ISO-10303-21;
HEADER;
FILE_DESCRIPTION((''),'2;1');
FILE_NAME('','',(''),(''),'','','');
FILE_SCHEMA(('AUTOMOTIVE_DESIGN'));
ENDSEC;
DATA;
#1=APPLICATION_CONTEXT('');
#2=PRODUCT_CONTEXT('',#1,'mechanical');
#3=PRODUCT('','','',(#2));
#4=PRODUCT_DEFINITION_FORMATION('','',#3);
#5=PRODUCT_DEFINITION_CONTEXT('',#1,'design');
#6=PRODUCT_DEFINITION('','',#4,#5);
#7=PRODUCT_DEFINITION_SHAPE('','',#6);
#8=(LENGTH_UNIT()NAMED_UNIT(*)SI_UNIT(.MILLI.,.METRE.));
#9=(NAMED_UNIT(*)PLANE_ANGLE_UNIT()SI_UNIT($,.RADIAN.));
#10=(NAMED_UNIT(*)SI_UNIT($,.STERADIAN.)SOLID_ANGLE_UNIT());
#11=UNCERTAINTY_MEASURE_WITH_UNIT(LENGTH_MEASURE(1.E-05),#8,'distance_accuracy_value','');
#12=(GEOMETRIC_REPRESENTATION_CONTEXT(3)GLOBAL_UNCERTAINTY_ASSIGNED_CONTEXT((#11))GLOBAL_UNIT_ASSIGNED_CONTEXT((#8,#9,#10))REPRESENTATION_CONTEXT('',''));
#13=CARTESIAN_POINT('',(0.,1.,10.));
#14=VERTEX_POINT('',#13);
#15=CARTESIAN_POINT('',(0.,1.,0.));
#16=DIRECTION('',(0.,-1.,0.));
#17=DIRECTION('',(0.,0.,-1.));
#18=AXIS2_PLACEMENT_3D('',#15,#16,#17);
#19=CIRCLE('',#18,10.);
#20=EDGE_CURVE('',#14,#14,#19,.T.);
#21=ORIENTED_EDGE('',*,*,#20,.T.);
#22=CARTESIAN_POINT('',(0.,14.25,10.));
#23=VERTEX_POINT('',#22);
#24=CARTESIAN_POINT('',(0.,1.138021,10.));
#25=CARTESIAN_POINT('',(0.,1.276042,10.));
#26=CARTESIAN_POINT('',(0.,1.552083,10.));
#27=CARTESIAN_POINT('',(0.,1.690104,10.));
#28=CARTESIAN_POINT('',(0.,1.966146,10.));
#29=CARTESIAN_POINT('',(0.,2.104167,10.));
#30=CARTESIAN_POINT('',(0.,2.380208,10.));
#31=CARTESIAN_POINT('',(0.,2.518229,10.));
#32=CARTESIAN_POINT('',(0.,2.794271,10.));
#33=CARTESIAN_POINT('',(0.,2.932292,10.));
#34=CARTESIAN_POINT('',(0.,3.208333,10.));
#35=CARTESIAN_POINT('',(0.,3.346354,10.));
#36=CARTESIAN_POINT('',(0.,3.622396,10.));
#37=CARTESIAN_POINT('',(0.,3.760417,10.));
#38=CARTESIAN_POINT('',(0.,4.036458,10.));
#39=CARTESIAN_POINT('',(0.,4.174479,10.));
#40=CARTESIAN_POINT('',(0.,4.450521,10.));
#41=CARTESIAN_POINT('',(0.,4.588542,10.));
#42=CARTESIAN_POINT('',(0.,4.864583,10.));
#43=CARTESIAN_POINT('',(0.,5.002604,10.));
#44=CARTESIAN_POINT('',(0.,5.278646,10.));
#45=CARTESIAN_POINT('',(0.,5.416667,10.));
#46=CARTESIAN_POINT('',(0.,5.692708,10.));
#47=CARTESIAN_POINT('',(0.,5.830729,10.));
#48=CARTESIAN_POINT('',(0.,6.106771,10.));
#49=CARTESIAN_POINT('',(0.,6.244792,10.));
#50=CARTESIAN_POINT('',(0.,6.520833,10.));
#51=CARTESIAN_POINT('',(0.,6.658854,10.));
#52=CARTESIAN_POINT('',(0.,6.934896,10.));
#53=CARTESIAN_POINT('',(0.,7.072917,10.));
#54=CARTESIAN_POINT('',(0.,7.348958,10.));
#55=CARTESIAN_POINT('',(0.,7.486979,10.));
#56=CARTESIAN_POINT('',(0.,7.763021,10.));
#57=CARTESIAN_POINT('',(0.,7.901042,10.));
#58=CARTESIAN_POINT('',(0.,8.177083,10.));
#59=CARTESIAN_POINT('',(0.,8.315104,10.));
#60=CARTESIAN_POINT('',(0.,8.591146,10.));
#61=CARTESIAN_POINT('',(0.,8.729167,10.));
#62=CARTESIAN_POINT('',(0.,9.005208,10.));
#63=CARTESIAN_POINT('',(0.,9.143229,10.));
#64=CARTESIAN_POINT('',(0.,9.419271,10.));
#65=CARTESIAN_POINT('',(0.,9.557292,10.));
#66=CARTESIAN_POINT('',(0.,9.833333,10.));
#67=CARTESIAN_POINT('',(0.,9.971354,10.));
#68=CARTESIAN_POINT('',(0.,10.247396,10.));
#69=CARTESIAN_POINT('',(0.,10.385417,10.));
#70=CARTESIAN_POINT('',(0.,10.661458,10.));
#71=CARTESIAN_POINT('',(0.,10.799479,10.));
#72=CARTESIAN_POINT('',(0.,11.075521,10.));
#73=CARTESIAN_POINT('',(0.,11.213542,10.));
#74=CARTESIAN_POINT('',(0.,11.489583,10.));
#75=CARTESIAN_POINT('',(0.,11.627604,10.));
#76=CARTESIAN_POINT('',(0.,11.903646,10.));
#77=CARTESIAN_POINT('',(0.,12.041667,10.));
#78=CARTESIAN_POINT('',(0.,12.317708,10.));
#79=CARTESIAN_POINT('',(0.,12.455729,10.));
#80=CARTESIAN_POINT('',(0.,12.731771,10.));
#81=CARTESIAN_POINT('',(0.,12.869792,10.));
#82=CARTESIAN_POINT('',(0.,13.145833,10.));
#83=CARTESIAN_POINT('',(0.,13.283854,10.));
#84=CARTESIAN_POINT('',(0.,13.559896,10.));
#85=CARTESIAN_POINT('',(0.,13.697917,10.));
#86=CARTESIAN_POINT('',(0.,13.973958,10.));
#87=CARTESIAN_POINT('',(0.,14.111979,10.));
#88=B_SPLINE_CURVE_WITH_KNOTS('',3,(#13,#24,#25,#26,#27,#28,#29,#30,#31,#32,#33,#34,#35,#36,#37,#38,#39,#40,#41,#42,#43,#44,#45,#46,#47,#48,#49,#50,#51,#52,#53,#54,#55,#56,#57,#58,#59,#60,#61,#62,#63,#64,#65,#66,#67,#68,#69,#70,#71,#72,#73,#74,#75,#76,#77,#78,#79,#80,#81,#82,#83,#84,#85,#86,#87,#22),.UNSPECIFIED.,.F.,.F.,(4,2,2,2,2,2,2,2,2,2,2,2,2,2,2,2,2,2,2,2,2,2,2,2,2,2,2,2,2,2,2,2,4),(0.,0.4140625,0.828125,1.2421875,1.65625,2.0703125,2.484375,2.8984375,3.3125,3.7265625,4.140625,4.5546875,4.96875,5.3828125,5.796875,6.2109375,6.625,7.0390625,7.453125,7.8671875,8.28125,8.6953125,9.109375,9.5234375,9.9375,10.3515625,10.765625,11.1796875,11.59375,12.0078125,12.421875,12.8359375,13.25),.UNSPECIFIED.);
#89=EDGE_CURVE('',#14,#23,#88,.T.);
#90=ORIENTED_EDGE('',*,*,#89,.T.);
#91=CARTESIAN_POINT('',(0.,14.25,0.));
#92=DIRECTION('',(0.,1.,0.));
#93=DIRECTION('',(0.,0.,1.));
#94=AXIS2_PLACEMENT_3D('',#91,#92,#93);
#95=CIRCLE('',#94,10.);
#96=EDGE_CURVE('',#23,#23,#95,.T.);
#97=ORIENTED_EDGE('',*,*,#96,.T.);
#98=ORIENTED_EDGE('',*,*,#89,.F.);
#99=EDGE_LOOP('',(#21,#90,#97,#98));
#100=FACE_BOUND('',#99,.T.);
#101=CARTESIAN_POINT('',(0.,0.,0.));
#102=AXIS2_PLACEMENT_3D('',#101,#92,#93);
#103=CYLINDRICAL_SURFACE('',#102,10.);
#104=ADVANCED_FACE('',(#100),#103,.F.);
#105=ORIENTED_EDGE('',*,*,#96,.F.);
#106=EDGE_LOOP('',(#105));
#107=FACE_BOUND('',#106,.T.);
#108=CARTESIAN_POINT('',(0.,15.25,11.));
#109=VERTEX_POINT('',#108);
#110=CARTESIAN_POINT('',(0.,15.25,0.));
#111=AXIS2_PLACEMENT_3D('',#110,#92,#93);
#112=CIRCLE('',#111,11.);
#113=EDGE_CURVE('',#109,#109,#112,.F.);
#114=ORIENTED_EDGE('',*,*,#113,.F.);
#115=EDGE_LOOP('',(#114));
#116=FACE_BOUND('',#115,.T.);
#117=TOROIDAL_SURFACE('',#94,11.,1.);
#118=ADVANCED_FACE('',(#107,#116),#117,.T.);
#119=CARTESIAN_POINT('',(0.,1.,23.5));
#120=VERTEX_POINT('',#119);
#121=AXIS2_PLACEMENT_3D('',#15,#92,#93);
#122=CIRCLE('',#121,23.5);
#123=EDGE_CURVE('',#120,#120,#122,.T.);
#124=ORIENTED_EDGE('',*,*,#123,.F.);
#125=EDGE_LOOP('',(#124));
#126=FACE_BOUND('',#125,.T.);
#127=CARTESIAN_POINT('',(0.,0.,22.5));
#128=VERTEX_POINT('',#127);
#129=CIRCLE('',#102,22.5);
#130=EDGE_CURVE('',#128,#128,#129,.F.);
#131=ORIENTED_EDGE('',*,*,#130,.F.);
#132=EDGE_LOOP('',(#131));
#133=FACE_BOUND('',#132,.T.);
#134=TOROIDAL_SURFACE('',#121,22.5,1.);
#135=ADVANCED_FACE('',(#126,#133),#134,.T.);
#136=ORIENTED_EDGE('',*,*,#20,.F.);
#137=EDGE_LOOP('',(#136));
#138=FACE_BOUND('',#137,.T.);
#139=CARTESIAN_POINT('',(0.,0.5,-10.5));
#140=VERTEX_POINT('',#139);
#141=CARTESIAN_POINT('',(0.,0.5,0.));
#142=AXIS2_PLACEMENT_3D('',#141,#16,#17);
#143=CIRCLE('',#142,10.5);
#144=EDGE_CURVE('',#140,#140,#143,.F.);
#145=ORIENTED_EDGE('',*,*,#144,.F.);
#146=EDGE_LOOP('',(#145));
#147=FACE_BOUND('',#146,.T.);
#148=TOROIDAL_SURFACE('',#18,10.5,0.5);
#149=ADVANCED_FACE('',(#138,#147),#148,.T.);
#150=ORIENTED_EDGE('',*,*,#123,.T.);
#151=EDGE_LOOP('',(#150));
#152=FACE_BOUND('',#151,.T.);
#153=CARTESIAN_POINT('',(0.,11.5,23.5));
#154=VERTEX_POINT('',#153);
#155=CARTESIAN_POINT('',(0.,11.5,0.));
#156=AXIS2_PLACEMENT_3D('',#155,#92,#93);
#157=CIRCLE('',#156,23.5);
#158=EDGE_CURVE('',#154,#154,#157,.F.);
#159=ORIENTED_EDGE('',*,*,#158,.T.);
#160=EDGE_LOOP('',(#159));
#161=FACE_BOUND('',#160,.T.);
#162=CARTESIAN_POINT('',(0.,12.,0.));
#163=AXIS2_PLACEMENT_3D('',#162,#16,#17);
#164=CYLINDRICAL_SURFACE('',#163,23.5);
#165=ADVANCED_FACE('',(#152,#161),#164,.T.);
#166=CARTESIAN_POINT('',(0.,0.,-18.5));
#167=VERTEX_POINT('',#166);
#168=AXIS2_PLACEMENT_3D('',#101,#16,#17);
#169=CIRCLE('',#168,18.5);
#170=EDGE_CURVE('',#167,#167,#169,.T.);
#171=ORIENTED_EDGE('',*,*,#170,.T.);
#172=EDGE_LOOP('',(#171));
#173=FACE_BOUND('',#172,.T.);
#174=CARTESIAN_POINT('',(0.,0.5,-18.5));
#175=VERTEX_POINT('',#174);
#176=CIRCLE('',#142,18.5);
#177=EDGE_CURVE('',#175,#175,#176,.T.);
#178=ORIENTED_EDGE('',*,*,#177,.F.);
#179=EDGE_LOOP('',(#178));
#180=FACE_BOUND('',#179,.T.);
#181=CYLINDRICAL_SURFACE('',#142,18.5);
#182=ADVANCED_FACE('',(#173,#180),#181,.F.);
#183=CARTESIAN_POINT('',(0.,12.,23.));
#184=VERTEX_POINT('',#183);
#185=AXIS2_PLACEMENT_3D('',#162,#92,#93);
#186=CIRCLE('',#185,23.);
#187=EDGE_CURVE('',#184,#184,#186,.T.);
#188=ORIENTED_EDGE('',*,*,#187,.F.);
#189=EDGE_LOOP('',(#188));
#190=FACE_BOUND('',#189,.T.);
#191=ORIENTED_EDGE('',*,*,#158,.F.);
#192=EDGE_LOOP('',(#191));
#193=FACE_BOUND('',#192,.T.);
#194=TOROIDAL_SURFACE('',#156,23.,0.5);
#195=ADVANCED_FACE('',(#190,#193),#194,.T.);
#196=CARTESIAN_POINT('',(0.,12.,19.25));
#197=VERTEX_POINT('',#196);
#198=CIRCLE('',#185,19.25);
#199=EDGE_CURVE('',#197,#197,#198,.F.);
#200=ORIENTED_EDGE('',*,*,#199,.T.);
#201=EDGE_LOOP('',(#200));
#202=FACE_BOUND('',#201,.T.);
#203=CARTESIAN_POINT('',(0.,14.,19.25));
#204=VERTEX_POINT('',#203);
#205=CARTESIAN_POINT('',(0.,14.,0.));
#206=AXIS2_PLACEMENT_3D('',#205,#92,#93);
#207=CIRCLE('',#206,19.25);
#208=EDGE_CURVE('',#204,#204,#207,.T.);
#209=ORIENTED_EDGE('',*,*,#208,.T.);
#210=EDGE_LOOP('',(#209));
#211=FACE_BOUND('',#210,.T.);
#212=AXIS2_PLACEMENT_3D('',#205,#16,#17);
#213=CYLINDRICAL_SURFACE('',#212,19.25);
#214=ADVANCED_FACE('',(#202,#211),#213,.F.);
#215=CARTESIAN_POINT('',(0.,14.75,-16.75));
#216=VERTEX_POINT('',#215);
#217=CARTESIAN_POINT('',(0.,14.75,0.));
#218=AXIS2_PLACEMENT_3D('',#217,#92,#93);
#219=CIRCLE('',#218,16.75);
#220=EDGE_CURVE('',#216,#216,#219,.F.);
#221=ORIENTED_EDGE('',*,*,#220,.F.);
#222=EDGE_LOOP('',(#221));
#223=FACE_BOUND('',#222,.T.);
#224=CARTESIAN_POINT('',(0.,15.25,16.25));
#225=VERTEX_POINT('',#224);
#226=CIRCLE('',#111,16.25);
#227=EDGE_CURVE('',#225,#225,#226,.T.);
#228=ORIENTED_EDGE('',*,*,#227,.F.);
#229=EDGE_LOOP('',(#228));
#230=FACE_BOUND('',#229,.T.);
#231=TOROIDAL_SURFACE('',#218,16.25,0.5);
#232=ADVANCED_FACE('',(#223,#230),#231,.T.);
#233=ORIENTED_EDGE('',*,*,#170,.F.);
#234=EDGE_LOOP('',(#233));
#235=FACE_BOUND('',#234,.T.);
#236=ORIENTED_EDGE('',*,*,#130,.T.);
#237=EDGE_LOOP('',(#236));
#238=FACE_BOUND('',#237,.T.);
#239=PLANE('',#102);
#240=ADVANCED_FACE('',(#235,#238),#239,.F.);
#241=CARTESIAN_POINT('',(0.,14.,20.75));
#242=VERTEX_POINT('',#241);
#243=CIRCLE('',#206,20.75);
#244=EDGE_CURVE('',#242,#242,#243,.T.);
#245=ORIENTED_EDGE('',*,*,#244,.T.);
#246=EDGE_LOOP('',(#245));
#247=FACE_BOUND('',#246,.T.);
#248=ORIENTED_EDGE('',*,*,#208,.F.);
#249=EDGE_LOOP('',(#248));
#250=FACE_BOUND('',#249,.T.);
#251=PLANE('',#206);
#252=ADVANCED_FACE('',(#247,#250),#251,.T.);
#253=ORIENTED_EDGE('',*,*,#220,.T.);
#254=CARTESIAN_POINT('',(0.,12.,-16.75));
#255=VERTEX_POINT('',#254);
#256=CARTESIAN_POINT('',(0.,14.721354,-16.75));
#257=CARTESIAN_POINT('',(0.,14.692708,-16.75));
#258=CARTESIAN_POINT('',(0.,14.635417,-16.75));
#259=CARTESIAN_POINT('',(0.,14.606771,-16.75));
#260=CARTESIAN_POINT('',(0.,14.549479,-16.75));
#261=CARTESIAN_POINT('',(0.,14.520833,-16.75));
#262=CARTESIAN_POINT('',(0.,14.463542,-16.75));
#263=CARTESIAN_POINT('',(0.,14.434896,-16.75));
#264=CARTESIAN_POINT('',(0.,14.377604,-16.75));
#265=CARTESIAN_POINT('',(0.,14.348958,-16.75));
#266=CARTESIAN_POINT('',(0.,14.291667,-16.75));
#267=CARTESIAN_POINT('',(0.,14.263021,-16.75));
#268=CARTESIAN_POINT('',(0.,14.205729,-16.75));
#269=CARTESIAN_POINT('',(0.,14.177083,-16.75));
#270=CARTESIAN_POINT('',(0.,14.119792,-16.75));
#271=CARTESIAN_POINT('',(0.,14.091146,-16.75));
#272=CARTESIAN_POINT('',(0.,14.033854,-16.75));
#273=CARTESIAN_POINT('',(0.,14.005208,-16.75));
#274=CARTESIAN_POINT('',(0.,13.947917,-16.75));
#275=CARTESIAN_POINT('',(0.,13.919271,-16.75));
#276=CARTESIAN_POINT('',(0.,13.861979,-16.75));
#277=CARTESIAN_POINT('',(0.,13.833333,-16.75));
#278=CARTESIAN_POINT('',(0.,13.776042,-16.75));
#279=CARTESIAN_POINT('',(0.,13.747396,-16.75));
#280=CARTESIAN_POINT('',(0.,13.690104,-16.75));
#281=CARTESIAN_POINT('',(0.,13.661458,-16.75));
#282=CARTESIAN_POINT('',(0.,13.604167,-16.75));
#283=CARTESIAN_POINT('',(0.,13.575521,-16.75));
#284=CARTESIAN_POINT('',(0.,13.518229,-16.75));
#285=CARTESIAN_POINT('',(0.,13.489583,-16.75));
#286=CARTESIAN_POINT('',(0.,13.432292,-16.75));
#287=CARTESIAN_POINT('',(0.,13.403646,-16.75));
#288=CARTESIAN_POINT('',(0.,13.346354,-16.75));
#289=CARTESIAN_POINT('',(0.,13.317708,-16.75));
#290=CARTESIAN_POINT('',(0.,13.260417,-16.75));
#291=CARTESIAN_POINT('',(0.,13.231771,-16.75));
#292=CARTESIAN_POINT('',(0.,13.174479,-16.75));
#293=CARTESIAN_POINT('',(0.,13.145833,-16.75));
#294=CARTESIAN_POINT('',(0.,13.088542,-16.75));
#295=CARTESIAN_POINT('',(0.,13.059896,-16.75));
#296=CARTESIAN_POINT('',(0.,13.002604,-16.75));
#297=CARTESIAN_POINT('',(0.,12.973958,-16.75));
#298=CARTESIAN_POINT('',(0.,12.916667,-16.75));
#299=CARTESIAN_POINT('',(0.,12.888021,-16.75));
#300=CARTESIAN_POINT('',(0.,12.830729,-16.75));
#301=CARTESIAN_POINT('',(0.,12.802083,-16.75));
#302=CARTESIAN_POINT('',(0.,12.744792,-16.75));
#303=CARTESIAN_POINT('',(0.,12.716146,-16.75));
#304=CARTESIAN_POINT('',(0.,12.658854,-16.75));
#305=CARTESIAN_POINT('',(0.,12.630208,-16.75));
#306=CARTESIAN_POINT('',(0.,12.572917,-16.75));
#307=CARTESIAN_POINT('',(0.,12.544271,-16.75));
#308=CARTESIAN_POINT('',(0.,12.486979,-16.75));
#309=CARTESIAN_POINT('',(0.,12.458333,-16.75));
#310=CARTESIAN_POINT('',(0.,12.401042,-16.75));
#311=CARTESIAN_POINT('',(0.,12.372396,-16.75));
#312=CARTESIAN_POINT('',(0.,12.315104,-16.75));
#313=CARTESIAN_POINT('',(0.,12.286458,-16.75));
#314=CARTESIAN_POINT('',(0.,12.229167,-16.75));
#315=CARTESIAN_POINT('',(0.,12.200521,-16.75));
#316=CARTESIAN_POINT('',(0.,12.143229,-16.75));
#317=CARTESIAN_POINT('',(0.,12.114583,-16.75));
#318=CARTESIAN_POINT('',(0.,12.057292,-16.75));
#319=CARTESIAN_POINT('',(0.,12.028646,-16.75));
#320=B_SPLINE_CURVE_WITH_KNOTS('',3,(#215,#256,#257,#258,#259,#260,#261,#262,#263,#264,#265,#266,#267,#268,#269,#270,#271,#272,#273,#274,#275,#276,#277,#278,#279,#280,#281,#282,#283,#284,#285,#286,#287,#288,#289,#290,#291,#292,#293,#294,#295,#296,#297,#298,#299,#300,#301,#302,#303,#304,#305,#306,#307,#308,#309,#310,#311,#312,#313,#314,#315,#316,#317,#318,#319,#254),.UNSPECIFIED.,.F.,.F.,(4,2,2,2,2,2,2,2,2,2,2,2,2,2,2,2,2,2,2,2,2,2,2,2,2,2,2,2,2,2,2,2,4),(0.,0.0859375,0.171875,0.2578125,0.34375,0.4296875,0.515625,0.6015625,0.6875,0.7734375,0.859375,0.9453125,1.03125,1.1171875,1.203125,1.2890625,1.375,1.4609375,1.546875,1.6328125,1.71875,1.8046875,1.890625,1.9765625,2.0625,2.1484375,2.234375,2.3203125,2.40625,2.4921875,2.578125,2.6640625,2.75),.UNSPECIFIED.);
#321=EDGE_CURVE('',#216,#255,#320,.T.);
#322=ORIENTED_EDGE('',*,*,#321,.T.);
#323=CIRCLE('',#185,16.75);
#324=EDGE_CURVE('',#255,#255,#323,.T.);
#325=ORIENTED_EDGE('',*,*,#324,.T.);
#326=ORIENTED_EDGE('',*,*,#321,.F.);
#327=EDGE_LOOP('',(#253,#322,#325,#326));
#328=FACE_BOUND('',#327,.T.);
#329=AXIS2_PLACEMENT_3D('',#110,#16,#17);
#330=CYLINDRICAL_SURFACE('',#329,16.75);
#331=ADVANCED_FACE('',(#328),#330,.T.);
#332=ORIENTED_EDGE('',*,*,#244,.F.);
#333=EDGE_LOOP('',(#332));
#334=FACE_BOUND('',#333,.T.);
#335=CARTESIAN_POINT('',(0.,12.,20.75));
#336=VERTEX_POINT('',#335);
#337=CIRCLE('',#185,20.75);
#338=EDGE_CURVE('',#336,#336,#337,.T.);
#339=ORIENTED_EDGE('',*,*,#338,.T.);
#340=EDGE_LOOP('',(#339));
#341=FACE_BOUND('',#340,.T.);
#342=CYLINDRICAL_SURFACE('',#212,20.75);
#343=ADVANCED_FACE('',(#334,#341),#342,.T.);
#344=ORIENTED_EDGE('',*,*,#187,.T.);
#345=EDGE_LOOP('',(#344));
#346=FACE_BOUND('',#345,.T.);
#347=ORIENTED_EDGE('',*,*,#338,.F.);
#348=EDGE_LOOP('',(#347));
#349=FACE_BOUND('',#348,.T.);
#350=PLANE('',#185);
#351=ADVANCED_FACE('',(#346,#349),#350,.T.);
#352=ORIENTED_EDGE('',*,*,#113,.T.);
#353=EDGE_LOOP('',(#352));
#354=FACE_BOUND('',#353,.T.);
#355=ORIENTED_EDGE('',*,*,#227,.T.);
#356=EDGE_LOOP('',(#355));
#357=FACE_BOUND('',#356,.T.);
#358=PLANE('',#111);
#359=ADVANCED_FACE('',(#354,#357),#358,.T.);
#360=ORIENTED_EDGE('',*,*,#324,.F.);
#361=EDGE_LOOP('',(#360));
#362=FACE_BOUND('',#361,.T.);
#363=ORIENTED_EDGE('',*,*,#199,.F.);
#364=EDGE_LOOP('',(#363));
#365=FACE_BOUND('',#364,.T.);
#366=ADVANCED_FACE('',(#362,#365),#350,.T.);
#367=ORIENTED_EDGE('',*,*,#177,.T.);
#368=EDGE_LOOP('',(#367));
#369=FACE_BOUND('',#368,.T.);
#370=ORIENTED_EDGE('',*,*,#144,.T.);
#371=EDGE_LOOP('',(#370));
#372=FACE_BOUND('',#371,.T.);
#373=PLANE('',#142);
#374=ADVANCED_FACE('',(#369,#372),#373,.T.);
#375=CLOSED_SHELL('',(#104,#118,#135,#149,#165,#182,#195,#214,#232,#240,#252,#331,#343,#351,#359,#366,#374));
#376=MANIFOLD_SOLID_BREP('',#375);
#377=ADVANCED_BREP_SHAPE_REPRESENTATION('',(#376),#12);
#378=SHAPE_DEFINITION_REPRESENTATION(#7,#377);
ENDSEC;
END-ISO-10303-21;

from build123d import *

# Parameters (mm, degrees)
SKETCH1_R           = 23.5
BOSS_EXTRUDE1_DEPTH = 12
SKETCH2_R           = 16.75
BOSS_EXTRUDE2_DEPTH = 3.25
SKETCH3_R           = 10
CUT_EXTRUDE1_DEPTH  = 37.56586523
SKETCH5_R           = 20.75
SKETCH5_R_2         = 19.25
BOSS_EXTRUDE3_DEPTH = 2
FILLET1_R           = 1
FILLET2_R           = 1
FILLET3_R           = 0.5
FILLET4_R           = 0.5
SKETCH6_R           = 18.5
CUT_EXTRUDE2_DEPTH  = 0.5
FILLET5_R           = 0.5


with BuildPart() as part:
    # Sketch1 → Boss-Extrude1 (new body)
    with BuildSketch(Plane(origin=(0, 0, 0), x_dir=(1, 0, 0), z_dir=(0, 1, 0))):
        with Locations(Location((0, 0, 0), (0, 0, 270))):
            Circle(SKETCH1_R)
    extrude(amount=BOSS_EXTRUDE1_DEPTH)

    # Sketch2 → Boss-Extrude2 (add)
    with BuildSketch(Plane(origin=(0, 12, 0), x_dir=(1, 0, 0), z_dir=(0, 1, 0))):
        with Locations(Location((0, 0, 0), (0, 0, 90))):
            Circle(SKETCH2_R)
    extrude(amount=BOSS_EXTRUDE2_DEPTH)

    # Sketch3 → Cut-Extrude1 (cut, through all)
    with BuildSketch(Plane(origin=(0, 15.25, 0), x_dir=(1, 0, 0), z_dir=(0, 1, 0))):
        with Locations(Location((0, 0, 0), (0, 0, 270))):
            Circle(SKETCH3_R)
    extrude(amount=-CUT_EXTRUDE1_DEPTH, mode=Mode.SUBTRACT)

    # Sketch5 → Boss-Extrude3 (add)
    with BuildSketch(Plane(origin=(0, 12, 0), x_dir=(1, 0, 0), z_dir=(0, 1, 0))):
        with Locations(Location((0, 0, 0), (0, 0, 270))):
            Circle(SKETCH5_R)
        with Locations(Location((0, 0, 0), (0, 0, 270))):
            Circle(SKETCH5_R_2, mode=Mode.SUBTRACT)
    extrude(amount=BOSS_EXTRUDE3_DEPTH)

    # Fillet1
    fillet1_edges = [part.edges().sort_by_distance(p)[0] for p in [
        (0, 0, -23.5),
    ]]
    fillet(fillet1_edges, radius=FILLET1_R)

    # Fillet2
    fillet2_edges = [part.edges().sort_by_distance(p)[0] for p in [
        (0, 15.25, -10),
    ]]
    fillet(fillet2_edges, radius=FILLET2_R)

    # Fillet3
    fillet3_edges = [part.edges().sort_by_distance(p)[0] for p in [
        (0, 15.25, 16.75),
    ]]
    fillet(fillet3_edges, radius=FILLET3_R)

    # Fillet4
    fillet4_edges = [part.edges().sort_by_distance(p)[0] for p in [
        (0, 0, -10),
        (0, 12, -23.5),
    ]]
    fillet(fillet4_edges, radius=FILLET4_R)

    # Sketch6 → Cut-Extrude2 (cut)
    with BuildSketch(Plane(origin=(0, 0, 0), x_dir=(-1, 0, 0), z_dir=(0, -1, 0))):
        with Locations(Location((0, 0, 0), (0, 0, 90))):
            Circle(SKETCH6_R)
    extrude(amount=-CUT_EXTRUDE2_DEPTH, mode=Mode.SUBTRACT)

    # Fillet5
    fillet5_edges = [part.edges().sort_by_distance(p)[0] for p in [
        (0, 0.5, -10),
    ]]
    fillet(fillet5_edges, radius=FILLET5_R)


solid = part.part
